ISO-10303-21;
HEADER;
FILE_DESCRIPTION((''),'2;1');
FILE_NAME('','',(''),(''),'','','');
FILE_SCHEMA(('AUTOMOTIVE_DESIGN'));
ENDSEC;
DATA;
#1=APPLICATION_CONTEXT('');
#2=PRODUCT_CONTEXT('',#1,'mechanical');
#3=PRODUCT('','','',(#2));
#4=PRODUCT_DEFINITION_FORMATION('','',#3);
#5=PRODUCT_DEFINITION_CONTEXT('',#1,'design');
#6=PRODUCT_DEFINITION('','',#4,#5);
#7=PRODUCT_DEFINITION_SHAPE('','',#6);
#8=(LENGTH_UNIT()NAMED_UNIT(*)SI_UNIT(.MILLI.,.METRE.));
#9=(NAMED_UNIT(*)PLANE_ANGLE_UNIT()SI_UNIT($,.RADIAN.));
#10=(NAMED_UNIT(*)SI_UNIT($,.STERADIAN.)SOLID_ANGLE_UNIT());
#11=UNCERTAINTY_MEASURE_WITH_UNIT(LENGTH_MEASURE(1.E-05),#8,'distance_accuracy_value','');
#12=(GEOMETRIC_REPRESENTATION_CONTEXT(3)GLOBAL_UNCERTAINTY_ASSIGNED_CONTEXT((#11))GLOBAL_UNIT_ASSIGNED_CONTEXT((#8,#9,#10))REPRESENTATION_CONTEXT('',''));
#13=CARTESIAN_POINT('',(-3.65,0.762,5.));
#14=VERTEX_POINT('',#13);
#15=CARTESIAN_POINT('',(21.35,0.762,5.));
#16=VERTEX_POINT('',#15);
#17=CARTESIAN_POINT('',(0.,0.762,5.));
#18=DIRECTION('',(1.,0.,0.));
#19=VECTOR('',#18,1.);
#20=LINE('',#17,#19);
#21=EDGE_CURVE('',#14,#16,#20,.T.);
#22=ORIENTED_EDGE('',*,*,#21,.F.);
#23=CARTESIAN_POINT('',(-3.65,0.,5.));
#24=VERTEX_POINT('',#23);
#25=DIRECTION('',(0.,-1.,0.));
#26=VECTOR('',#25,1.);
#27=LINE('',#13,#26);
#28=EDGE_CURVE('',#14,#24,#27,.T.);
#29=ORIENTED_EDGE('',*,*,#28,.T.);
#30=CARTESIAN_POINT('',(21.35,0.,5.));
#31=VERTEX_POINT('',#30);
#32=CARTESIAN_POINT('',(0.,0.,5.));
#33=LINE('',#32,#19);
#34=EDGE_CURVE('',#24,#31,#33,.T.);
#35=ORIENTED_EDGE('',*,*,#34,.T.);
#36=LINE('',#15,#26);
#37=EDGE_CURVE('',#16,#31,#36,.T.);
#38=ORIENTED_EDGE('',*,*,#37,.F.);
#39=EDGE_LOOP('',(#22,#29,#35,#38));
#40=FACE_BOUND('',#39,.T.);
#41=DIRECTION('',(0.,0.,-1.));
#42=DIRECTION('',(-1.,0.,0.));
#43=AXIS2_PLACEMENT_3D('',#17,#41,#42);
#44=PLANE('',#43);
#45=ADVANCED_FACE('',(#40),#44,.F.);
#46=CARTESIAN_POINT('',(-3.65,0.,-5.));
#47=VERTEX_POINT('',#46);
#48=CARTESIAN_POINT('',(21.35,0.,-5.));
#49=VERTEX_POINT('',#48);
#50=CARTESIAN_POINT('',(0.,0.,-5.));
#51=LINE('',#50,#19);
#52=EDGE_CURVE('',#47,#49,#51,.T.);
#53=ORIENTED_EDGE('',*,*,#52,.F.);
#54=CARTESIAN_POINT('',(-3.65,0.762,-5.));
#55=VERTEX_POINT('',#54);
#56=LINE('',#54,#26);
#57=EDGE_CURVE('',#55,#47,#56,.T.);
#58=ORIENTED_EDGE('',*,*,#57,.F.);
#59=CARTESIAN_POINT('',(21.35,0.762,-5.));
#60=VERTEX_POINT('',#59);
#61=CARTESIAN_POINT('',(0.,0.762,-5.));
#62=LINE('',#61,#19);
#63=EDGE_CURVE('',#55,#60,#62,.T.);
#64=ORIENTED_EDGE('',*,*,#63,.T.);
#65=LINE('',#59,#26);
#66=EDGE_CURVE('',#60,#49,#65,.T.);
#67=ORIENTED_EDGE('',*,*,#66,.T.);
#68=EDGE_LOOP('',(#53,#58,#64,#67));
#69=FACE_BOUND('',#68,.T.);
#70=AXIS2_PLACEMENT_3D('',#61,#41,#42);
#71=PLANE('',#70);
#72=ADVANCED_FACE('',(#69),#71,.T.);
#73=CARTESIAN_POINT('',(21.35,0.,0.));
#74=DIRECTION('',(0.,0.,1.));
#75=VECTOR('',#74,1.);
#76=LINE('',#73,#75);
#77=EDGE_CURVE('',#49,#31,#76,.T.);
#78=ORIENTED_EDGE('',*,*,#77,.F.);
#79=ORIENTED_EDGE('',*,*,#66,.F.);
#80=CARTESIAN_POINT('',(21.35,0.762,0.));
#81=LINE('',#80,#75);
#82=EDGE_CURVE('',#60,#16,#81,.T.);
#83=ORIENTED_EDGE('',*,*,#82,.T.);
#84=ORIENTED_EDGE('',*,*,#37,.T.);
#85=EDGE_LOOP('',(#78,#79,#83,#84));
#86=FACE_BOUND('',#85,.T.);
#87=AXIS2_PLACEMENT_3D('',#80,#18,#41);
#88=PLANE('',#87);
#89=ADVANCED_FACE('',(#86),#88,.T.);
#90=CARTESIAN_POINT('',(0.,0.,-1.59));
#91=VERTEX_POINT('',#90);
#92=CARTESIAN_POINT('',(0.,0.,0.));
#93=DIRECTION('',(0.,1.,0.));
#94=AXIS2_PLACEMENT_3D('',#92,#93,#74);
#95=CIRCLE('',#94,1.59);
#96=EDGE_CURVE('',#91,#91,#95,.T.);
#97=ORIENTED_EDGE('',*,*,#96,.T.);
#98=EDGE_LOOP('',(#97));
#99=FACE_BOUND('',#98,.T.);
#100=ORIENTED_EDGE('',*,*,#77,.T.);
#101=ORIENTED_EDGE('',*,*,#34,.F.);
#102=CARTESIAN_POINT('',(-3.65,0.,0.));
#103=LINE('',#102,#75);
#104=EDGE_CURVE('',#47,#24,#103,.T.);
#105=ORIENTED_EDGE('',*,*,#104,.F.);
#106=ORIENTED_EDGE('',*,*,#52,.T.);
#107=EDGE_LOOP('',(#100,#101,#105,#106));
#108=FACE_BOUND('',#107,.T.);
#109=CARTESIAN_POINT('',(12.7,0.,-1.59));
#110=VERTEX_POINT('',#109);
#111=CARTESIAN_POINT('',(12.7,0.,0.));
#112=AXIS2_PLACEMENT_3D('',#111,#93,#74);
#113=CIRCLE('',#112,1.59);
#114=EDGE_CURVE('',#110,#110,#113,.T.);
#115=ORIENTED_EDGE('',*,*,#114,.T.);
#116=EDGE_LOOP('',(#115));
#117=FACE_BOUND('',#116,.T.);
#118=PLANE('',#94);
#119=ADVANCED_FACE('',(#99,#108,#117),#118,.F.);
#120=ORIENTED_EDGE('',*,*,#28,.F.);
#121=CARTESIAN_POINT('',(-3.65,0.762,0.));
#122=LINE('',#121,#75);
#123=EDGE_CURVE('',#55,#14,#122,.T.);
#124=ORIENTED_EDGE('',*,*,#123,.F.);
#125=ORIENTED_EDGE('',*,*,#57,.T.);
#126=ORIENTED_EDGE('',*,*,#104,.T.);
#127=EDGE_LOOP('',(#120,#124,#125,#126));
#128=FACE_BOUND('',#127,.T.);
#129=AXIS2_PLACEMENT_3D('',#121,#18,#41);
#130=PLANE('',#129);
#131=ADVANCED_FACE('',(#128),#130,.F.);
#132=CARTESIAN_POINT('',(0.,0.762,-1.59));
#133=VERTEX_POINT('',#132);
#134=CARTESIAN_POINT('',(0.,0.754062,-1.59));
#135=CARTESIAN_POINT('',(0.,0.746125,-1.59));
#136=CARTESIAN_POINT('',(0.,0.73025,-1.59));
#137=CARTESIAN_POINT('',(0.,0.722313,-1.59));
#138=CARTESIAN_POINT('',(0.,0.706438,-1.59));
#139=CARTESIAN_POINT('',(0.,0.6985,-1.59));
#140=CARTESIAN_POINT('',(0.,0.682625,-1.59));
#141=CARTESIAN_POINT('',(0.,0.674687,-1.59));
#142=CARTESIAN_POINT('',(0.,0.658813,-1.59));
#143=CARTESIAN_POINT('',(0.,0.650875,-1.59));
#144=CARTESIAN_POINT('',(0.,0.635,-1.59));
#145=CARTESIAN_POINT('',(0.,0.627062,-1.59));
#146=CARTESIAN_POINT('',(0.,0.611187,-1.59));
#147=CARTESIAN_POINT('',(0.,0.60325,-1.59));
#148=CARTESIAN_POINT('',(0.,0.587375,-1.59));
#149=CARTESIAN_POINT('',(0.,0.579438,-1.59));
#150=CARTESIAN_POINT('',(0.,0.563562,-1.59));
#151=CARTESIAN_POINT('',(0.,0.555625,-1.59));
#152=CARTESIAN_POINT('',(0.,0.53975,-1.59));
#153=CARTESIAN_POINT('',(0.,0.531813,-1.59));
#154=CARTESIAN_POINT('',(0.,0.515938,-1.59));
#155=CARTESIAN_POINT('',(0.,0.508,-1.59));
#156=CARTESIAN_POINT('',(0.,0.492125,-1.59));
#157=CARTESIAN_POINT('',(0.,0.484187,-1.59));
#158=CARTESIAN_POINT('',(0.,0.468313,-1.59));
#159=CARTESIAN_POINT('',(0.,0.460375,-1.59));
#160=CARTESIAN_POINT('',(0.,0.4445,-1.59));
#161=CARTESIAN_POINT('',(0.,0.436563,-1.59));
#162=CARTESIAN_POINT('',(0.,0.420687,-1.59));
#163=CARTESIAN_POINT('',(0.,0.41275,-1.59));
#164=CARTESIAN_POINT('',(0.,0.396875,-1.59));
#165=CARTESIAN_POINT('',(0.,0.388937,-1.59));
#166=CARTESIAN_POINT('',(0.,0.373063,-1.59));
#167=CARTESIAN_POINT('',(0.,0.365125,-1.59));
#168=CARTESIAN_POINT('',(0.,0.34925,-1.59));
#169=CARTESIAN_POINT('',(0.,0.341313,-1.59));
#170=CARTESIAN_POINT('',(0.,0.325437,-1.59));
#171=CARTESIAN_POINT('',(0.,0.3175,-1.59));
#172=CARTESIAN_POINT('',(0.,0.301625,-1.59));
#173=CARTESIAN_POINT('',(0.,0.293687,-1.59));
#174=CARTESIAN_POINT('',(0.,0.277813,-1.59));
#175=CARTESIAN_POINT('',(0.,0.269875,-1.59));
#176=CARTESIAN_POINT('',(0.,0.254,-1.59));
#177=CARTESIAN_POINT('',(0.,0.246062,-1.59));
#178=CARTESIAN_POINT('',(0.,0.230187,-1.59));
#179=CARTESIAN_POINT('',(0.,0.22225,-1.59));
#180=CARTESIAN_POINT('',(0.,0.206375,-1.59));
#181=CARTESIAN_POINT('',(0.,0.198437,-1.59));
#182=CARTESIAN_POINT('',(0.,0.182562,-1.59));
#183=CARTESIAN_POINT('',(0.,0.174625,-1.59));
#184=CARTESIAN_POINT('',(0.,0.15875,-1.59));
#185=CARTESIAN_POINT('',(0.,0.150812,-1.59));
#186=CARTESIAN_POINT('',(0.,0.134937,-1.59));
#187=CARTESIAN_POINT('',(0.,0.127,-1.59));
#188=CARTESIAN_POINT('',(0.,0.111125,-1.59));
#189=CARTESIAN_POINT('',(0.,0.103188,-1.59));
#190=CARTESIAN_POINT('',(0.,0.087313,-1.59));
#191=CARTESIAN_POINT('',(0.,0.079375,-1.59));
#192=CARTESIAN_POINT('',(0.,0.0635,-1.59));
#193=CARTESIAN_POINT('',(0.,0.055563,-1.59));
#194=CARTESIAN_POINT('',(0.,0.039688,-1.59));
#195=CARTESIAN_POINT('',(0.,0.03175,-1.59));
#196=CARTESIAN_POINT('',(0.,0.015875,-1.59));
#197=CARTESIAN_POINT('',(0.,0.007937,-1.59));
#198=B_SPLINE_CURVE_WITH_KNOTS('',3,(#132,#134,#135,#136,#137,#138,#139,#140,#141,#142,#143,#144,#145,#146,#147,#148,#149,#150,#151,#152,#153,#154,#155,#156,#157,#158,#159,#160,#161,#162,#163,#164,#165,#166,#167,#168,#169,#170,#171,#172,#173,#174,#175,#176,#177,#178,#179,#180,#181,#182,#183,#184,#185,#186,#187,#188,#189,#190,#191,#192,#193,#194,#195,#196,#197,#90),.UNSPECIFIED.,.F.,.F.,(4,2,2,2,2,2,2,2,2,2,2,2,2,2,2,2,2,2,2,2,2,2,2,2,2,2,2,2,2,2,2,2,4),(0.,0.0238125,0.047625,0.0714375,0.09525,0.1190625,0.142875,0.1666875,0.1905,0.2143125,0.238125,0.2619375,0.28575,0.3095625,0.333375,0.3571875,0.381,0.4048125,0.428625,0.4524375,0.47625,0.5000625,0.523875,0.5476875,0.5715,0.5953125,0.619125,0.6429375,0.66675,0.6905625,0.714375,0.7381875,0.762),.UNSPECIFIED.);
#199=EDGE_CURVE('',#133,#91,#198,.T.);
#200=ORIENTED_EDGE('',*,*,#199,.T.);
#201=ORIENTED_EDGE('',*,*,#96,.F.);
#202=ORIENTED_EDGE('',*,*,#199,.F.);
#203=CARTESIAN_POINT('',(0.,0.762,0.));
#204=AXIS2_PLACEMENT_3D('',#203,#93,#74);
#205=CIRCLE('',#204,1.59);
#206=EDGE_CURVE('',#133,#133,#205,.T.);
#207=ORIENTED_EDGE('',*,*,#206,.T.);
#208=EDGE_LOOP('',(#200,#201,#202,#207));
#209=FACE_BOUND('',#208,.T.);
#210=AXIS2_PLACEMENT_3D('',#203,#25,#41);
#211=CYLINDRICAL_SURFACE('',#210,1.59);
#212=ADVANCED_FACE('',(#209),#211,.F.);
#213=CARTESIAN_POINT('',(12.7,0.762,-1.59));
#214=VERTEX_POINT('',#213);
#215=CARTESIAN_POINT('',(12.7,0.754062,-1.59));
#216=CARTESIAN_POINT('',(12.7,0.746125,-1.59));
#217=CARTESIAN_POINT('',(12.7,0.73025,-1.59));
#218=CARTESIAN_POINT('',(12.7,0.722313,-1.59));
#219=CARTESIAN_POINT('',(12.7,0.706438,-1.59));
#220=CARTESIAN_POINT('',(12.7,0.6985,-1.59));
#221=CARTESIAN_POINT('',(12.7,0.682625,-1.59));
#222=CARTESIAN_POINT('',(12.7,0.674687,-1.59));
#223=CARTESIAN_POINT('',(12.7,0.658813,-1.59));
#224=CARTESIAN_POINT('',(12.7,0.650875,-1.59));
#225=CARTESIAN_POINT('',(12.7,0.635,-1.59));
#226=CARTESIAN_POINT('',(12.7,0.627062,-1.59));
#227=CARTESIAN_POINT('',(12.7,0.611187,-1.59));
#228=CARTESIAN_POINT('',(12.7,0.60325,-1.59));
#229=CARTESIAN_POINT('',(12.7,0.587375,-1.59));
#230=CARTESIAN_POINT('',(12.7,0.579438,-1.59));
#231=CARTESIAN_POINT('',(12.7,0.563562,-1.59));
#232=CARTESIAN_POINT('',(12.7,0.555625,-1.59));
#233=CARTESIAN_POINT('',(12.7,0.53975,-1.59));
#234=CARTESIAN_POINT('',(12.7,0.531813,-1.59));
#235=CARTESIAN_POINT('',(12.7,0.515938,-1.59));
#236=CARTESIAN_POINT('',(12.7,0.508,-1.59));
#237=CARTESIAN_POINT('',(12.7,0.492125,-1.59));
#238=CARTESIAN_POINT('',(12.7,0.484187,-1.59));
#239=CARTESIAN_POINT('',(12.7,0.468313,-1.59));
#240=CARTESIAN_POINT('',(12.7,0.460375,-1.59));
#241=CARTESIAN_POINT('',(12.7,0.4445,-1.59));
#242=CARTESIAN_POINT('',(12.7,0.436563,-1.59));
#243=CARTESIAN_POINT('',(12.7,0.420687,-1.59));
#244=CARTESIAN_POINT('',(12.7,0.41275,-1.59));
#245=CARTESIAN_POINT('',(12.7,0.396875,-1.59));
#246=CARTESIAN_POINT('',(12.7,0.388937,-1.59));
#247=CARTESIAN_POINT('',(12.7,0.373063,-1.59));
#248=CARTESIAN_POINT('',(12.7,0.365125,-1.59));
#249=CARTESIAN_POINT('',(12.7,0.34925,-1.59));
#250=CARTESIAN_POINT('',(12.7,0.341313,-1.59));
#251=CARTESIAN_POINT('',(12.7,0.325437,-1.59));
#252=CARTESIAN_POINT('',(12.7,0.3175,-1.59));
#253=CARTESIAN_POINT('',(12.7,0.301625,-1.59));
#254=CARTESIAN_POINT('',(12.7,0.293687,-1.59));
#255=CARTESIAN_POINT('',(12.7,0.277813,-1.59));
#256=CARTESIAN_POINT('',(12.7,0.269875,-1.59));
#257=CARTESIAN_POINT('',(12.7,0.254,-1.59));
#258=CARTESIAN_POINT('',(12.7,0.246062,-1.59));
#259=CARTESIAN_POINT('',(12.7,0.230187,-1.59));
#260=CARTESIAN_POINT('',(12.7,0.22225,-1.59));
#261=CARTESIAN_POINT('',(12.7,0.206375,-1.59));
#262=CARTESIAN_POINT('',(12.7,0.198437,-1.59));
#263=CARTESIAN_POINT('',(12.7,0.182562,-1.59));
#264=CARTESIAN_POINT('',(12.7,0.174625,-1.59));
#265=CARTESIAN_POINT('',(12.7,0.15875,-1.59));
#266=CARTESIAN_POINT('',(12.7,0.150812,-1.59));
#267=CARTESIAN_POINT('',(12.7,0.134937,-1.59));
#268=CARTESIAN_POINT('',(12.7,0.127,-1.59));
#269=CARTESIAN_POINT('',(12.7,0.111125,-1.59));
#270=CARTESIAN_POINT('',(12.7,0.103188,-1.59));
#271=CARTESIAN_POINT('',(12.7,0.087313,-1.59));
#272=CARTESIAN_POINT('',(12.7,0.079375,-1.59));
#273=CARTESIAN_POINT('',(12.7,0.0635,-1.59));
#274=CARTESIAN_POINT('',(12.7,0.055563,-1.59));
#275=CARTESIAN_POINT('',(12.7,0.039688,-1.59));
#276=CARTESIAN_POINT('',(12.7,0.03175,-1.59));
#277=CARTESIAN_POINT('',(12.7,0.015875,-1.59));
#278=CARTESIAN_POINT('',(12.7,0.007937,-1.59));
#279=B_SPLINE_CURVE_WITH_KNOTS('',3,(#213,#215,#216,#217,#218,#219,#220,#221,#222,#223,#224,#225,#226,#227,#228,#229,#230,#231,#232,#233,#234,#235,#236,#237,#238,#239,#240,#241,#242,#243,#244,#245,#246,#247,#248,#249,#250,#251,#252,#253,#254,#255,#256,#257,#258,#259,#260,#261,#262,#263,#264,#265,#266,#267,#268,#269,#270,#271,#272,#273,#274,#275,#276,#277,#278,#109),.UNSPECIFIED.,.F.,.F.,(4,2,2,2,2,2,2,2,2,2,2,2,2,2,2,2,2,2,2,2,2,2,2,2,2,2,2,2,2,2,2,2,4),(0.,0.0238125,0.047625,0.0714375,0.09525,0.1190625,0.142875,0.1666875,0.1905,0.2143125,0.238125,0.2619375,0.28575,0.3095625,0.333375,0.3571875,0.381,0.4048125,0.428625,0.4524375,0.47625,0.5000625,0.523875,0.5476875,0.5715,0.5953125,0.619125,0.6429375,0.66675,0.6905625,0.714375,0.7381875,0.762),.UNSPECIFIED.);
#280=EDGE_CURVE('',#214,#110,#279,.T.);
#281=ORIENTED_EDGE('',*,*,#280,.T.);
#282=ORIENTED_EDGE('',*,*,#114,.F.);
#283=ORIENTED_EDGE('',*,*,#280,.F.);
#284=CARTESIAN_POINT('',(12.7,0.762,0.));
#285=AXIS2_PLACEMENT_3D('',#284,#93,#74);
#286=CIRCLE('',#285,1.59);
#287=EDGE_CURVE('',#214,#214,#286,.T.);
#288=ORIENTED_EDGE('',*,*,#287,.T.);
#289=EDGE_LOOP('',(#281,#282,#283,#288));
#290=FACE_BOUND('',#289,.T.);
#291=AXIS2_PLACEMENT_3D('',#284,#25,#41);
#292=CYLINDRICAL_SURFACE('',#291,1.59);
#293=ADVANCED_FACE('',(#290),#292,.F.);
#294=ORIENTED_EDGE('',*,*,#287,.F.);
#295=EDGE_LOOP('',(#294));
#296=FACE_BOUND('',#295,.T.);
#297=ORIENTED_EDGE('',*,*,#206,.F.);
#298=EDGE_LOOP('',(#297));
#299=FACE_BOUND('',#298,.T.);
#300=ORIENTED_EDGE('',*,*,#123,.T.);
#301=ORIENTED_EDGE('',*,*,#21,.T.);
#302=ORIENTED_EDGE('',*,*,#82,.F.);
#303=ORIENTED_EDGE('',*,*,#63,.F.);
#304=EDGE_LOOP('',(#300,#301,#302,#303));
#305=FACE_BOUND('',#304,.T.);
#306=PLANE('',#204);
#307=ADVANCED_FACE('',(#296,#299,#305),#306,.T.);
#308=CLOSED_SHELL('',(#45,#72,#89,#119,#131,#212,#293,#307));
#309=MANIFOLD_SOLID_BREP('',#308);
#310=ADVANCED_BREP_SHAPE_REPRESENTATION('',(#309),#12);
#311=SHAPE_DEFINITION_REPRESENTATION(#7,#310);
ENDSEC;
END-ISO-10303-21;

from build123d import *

# Parameters (mm, degrees)
SKETCH1_W           = 20
SKETCH1_H           = 10
SKETCH1_R           = 1.59
SKETCH1_W_2         = 5
BOSS_EXTRUDE1_DEPTH = 0.762


with BuildPart() as part:
    # Sketch1 → Boss-Extrude1 (new body)
    # profile 1 of 2: a face of its own
    with BuildSketch(Plane(origin=(0, 0, 0), x_dir=(1, 0, 0), z_dir=(0, 1, 0))):
        with Locations((6.35, 0)):
            Rectangle(SKETCH1_W, SKETCH1_H)
        with Locations(Location((0, 0, 0), (0, 0, 90))):
            Circle(SKETCH1_R, mode=Mode.SUBTRACT)
        with Locations(Location((12.7, 0, 0), (0, 0, 90))):
            Circle(SKETCH1_R, mode=Mode.SUBTRACT)
    # profile 2 of 2: a face of its own
    with BuildSketch(Plane(origin=(0, 0, 0), x_dir=(1, 0, 0), z_dir=(0, 1, 0))):
        with Locations((18.85, 0)):
            Rectangle(SKETCH1_W_2, SKETCH1_H)
    extrude(amount=BOSS_EXTRUDE1_DEPTH)


solid = part.part
